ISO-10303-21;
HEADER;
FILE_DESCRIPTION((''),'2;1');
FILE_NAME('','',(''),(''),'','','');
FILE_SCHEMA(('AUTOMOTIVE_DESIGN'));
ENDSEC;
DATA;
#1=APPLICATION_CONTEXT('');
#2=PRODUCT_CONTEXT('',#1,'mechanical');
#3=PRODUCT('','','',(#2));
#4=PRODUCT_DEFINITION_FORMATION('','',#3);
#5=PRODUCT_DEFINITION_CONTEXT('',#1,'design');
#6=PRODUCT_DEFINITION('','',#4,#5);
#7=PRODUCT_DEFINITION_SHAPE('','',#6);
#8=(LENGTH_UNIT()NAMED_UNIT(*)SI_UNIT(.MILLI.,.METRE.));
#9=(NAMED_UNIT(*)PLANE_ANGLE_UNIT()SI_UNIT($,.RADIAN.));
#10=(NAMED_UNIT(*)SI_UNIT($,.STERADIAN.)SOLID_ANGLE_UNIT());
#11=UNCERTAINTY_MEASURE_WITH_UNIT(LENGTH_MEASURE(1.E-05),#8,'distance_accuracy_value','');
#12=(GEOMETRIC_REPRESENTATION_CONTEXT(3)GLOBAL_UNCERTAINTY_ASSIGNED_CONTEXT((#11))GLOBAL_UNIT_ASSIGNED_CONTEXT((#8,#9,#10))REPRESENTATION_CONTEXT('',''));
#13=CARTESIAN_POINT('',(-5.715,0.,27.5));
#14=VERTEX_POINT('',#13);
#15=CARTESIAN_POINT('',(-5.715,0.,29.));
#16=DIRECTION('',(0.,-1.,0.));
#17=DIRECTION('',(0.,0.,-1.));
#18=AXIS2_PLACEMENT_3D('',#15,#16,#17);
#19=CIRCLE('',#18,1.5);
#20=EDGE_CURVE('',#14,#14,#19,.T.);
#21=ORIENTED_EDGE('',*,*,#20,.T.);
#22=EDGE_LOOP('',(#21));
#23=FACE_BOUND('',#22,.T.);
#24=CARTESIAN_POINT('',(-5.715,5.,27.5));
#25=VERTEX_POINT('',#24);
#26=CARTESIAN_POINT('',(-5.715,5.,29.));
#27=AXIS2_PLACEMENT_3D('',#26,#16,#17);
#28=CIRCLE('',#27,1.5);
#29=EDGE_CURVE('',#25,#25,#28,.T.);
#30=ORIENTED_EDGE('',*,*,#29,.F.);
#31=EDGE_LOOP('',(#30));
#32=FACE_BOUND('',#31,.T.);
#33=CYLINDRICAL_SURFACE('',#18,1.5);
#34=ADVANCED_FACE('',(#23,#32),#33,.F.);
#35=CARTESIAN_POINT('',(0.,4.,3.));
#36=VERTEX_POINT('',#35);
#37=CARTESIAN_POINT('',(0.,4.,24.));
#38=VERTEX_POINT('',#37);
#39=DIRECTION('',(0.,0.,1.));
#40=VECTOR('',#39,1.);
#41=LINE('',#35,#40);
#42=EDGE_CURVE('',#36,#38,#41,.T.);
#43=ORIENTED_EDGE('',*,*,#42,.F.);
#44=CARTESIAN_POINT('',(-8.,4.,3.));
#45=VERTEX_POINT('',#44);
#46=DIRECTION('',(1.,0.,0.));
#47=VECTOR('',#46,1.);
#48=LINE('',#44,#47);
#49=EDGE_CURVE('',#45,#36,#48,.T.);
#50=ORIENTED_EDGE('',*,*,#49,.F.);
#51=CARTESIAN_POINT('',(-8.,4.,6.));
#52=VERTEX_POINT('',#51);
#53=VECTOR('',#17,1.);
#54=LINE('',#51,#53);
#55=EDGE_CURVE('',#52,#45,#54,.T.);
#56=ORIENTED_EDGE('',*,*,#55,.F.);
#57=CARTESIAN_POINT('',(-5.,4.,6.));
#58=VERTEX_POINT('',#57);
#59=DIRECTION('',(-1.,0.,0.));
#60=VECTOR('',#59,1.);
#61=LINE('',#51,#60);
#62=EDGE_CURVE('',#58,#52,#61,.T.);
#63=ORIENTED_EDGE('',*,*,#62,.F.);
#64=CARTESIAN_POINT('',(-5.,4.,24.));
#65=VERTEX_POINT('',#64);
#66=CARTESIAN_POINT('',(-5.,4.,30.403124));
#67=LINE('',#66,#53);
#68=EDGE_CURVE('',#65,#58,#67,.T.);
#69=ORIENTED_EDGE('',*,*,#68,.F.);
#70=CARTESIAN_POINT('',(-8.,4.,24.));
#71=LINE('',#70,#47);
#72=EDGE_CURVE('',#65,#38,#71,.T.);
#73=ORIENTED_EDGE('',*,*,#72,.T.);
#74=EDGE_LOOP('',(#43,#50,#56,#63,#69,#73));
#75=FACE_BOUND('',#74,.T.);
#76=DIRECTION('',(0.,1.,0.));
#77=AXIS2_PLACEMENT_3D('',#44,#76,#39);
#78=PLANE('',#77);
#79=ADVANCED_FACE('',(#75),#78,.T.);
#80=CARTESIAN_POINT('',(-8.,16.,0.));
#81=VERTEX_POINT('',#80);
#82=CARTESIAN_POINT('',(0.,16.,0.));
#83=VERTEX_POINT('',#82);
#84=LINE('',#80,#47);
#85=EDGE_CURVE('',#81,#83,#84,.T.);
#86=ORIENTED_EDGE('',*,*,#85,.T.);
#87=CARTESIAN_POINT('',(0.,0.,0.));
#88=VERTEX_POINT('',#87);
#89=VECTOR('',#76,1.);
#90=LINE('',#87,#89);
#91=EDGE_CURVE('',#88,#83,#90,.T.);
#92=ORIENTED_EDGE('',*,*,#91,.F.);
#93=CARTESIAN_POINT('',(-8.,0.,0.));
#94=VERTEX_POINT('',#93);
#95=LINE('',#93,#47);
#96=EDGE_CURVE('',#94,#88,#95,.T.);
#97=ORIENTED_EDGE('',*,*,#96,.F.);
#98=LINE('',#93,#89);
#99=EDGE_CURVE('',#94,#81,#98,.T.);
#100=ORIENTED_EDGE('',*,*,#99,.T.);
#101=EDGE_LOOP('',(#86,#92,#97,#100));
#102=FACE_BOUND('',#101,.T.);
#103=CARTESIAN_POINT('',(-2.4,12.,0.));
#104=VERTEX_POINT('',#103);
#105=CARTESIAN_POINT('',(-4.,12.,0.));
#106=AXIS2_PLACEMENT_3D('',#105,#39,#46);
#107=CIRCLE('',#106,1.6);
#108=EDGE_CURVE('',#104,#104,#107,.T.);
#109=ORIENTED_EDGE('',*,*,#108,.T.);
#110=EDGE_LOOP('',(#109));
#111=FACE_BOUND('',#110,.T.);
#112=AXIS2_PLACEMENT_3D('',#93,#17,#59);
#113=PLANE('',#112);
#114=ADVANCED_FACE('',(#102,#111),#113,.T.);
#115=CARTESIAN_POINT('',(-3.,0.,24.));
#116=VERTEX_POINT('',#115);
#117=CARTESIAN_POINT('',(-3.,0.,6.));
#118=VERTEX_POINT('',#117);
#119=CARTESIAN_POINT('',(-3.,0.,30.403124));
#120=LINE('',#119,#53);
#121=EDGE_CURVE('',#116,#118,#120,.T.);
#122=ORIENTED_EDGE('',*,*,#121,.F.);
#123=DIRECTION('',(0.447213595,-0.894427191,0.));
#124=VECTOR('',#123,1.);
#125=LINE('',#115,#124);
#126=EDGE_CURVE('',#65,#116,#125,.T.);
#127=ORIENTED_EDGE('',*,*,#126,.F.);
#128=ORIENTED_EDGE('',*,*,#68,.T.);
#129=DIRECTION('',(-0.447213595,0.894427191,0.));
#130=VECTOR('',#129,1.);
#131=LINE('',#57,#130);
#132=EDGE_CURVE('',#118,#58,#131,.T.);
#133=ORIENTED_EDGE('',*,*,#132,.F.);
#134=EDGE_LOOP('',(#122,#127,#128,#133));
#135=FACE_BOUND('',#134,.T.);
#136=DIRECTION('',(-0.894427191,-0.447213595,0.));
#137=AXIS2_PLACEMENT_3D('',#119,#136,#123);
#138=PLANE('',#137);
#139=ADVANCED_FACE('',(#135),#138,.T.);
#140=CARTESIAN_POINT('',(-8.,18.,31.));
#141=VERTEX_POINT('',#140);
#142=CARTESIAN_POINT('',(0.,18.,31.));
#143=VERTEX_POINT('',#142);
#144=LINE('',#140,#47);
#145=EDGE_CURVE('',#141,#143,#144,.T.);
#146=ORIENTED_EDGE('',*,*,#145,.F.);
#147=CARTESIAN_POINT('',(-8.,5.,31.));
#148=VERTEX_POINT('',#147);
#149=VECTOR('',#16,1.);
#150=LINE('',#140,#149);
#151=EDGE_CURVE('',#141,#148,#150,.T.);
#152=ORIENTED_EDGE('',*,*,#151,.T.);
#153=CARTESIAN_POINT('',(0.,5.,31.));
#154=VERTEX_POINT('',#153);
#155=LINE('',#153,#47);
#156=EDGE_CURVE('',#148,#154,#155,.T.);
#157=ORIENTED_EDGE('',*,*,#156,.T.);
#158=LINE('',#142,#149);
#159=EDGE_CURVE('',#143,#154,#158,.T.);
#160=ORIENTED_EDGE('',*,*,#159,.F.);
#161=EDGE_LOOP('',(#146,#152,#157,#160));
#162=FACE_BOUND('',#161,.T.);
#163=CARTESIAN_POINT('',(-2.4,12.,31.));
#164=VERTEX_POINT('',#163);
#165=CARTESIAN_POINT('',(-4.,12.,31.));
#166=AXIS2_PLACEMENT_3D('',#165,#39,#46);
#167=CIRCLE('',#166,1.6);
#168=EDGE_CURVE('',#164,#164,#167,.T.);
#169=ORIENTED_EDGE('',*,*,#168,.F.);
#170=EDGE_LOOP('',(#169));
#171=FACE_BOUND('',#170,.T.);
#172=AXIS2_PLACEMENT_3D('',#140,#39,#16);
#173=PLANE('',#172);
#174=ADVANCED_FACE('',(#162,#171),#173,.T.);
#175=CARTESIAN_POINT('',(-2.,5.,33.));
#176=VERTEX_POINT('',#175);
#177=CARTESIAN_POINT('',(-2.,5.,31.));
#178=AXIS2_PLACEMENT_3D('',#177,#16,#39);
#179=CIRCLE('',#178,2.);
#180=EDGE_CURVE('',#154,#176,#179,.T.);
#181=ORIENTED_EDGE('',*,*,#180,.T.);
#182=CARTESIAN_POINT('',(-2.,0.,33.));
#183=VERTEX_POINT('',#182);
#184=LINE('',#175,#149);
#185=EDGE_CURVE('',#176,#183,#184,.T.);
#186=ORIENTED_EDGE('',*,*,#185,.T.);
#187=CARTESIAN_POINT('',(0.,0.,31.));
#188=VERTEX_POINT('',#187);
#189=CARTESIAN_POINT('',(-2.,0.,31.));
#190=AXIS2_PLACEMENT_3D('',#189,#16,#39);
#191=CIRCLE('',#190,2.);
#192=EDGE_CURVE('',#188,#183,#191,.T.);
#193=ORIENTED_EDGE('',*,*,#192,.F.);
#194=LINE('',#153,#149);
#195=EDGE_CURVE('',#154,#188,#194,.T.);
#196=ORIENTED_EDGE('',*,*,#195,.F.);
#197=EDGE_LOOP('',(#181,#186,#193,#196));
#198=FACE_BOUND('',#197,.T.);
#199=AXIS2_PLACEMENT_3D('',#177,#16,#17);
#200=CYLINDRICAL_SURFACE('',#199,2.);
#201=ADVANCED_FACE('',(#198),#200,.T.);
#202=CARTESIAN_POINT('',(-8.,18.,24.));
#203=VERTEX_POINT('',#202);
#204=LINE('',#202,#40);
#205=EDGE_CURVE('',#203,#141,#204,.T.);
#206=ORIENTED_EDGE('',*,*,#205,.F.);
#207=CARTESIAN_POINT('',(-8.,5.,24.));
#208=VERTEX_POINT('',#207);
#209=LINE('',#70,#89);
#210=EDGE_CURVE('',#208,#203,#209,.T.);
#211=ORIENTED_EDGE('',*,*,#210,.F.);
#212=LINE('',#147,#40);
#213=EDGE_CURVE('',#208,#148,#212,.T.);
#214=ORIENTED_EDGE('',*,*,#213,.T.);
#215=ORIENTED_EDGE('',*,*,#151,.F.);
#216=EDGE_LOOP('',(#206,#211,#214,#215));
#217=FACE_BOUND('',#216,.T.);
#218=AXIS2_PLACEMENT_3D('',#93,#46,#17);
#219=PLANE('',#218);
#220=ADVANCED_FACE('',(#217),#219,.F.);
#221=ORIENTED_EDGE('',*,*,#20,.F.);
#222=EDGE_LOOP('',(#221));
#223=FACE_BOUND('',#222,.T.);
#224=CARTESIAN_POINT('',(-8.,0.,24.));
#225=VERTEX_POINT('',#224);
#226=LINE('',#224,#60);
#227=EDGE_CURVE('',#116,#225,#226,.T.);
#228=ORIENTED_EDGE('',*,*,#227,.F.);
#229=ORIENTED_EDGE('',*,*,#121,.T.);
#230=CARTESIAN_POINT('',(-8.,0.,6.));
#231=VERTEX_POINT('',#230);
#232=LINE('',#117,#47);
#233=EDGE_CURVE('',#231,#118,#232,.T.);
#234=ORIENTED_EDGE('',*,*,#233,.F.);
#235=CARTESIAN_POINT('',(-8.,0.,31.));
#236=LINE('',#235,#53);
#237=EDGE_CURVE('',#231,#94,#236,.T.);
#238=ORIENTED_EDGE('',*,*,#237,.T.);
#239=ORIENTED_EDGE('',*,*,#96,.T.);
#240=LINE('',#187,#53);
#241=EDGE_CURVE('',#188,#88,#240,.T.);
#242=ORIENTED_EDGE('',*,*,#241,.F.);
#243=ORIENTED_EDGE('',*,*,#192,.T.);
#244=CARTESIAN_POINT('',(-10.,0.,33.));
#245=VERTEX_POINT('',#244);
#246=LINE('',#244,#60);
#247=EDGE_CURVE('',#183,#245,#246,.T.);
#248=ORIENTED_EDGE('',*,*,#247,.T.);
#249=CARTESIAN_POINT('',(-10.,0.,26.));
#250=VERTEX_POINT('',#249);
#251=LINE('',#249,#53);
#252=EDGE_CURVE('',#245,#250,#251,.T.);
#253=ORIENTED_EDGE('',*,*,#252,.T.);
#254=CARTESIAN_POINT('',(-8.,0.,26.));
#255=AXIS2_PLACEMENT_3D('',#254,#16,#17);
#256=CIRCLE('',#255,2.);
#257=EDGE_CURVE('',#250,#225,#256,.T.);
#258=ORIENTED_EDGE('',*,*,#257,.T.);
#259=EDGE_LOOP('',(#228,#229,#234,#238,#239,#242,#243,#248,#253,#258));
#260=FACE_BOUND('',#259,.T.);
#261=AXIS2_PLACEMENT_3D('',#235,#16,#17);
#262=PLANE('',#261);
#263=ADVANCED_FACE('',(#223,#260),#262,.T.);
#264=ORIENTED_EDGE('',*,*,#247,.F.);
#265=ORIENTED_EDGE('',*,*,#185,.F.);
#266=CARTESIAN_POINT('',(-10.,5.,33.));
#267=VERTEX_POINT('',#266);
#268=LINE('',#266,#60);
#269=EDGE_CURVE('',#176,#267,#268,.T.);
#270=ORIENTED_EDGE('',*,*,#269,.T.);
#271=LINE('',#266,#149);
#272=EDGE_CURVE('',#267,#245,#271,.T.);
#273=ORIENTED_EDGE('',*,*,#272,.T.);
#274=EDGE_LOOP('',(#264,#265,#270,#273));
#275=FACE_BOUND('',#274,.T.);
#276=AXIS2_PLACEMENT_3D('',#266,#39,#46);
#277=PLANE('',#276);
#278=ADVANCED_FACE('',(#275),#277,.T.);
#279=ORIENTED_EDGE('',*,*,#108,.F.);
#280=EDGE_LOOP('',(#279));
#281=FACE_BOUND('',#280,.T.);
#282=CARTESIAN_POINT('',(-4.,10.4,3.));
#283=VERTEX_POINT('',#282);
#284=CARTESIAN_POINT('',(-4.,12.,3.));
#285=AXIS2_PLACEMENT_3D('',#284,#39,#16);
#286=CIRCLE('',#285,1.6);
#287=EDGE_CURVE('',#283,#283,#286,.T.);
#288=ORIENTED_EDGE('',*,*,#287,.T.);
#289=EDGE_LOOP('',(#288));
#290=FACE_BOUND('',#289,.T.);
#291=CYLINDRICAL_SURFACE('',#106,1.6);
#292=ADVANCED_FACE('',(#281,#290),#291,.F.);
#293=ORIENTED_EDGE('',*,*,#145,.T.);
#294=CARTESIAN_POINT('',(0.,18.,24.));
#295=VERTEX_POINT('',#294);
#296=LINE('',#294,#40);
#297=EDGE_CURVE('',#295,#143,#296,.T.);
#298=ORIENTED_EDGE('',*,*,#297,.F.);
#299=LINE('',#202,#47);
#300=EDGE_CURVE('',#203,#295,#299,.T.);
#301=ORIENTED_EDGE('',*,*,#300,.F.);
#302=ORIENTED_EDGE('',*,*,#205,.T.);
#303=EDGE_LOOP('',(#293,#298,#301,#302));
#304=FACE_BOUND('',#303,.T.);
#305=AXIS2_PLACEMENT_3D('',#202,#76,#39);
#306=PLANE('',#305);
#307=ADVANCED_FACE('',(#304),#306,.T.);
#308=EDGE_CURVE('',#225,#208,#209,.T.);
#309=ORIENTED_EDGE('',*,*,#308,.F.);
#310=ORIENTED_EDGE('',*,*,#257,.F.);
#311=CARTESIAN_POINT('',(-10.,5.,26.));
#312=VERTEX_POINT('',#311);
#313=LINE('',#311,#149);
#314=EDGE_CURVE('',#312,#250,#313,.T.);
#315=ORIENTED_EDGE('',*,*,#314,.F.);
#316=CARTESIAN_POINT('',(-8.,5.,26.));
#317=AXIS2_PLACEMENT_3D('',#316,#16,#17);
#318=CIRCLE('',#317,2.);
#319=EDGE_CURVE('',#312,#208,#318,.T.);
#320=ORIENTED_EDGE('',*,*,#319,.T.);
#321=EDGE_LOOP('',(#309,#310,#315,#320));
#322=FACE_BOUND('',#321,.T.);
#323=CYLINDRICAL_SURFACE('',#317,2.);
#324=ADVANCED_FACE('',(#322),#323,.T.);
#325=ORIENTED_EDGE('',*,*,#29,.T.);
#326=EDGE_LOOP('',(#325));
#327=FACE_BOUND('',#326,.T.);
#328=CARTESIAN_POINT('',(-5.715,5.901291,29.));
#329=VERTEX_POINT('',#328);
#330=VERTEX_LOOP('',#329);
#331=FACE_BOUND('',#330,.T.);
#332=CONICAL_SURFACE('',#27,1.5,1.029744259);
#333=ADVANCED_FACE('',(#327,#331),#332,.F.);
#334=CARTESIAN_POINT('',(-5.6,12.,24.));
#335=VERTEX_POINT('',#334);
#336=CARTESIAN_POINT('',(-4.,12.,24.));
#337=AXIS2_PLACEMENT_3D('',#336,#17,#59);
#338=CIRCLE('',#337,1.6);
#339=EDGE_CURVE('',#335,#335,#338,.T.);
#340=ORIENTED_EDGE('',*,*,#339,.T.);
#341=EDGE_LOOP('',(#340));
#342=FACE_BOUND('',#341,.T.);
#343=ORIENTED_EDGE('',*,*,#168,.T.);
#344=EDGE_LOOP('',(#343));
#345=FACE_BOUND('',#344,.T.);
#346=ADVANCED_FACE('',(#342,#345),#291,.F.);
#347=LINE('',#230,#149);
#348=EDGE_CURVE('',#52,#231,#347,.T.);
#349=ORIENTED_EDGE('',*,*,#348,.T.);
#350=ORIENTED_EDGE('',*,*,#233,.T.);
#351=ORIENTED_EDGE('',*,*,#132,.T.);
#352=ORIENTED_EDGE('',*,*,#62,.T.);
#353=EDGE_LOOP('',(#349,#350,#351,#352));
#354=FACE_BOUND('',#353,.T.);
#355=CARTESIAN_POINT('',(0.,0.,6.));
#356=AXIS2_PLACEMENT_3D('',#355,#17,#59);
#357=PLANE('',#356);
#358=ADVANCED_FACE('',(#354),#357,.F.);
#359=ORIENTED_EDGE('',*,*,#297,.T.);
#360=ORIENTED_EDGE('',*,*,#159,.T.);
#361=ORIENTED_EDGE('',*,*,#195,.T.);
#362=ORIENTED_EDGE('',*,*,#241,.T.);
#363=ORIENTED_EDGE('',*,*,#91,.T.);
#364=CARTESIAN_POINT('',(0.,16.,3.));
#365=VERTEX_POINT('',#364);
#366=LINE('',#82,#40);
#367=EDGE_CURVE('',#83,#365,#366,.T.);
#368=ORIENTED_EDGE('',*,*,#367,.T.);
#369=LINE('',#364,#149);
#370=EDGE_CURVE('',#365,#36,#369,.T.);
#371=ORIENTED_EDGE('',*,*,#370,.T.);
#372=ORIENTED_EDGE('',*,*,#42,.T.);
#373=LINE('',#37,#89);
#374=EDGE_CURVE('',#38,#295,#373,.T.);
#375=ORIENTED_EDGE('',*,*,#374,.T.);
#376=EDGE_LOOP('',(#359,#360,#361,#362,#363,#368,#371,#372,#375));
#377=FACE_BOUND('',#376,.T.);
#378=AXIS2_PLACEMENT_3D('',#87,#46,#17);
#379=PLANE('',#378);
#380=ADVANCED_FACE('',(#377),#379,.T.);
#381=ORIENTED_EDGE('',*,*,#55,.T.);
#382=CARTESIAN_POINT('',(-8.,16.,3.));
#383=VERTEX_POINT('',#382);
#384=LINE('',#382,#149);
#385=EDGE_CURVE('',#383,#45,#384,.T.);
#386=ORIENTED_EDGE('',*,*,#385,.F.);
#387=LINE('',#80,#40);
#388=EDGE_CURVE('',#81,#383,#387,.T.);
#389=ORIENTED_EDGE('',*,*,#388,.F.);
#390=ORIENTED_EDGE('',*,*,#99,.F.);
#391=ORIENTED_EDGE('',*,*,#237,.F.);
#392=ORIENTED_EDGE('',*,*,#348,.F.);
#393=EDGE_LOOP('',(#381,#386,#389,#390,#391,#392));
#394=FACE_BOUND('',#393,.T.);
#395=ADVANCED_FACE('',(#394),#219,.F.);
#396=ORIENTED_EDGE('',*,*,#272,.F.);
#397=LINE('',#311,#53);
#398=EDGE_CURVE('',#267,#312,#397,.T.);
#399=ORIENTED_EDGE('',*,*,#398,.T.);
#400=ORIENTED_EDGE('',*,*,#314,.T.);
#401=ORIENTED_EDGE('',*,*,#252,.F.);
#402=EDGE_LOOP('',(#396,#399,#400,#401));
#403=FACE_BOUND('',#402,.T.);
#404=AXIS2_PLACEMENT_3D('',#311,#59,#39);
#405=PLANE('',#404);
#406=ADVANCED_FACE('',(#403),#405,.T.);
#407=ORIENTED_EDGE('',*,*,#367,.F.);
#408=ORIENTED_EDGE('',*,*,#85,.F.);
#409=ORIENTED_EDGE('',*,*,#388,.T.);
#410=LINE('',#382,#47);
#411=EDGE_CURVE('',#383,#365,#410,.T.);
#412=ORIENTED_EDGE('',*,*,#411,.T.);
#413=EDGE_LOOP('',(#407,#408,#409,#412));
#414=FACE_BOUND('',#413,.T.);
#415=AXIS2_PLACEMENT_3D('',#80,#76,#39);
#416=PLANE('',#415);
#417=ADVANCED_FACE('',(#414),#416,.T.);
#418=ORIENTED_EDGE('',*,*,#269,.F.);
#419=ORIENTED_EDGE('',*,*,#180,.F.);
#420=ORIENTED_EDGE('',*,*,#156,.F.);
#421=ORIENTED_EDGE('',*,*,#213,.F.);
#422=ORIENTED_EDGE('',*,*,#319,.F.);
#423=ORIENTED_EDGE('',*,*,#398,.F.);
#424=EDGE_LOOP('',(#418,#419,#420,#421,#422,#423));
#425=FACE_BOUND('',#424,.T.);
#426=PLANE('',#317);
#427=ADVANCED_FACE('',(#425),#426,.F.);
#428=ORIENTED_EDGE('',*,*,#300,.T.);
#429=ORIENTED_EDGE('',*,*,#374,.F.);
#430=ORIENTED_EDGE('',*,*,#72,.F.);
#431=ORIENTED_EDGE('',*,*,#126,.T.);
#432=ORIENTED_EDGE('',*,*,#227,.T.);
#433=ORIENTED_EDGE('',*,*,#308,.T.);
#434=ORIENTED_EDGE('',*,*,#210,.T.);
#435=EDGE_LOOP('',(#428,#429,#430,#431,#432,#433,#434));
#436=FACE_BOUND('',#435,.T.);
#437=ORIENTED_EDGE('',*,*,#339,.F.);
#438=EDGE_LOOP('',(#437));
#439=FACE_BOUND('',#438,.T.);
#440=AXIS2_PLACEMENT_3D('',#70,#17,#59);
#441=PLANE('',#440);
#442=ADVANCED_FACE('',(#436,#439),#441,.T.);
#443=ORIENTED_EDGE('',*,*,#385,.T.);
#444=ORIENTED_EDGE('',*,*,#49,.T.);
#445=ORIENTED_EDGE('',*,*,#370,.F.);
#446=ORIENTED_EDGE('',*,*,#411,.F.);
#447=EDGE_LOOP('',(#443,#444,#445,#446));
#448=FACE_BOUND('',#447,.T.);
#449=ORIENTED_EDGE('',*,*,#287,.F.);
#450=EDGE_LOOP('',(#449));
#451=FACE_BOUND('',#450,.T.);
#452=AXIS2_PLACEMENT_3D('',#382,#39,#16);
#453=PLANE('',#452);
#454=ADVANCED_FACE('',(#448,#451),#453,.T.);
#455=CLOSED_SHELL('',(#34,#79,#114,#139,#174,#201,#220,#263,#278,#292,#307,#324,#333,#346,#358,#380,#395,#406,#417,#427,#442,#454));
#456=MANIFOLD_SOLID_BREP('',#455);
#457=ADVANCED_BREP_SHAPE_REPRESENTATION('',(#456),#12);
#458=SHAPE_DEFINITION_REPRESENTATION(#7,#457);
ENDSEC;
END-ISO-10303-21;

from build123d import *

# Parameters (mm, degrees)
BOSS_EXTRUDE1_DEPTH       = 8
CUT_EXTRUDE2_DEPTH        = 21
BOSS_EXTRUDE2_DEPTH       = 3
BOSS_EXTRUDE5_DEPTH       = 5
SKETCH6_R                 = 1.6
CUT_EXTRUDE3_DEPTH        = 38.215588132
F_3_0MM_DOWEL_HOLE1_D     = 3
F_3_0MM_DOWEL_HOLE1_DEPTH = 5
F_3_0MM_DOWEL_HOLE1_TIP   = 0.901290929


with BuildPart() as part:
    # Sketch1 → Boss-Extrude1 (new body)
    with BuildSketch(Plane(origin=(0, 0, 0), x_dir=(0, 0, -1), z_dir=(1, 0, 0))):
        Polygon((0, 0), (0, 16), (-3, 16), (-3, 4), (-24, 4), (-24, 18), (-31, 18), (-31, 0), align=None)
    extrude(amount=-BOSS_EXTRUDE1_DEPTH)

    # Sketch5 → Cut-Extrude2 (cut)
    with BuildSketch(Plane.XY.offset(3)):
        Polygon((-8, 0), (-3, 0), (-5, 4), (-8, 4), align=None)
    extrude(amount=CUT_EXTRUDE2_DEPTH, mode=Mode.SUBTRACT)

    # Sketch8 → Boss-Extrude2 (add)
    with BuildSketch(Plane.XY.offset(3)):
        Polygon((-8, 4), (-5, 4), (-3, 0), (-8, 0), align=None)
    extrude(amount=BOSS_EXTRUDE2_DEPTH)

    # Sketch11 → Boss-Extrude5 (add)
    with BuildSketch(Plane.XZ):
        with BuildLine():
            Line((-10, 26), (-10, 33))
            Line((-10, 33), (-2, 33))
            ThreePointArc((-2, 33), (-0.585786438, 32.414213562), (0, 31))
            Line((0, 31), (-8, 31))
            Line((-8, 31), (-8, 24))
            ThreePointArc((-8, 24), (-9.414213562, 24.585786438), (-10, 26))
        make_face()
    extrude(amount=-BOSS_EXTRUDE5_DEPTH)

    # Sketch6 → Cut-Extrude3 (cut, through all)
    with BuildSketch(Plane.XY.offset(31)):
        with Locations((-4, 12)):
            Circle(SKETCH6_R)
    extrude(amount=-CUT_EXTRUDE3_DEPTH, mode=Mode.SUBTRACT)

    # Ø3.0mm Dowel Hole1
    with Locations(Plane(origin=(0, 0, 0), x_dir=(-1, 0, 0), z_dir=(0, -1, 0))):
        with Locations((5.715, -29)):
            Hole(F_3_0MM_DOWEL_HOLE1_D / 2, depth=F_3_0MM_DOWEL_HOLE1_DEPTH)
            with Locations((0, 0, -(F_3_0MM_DOWEL_HOLE1_DEPTH + F_3_0MM_DOWEL_HOLE1_TIP / 2))):  # 118° drill point
                Cone(0, F_3_0MM_DOWEL_HOLE1_D / 2, F_3_0MM_DOWEL_HOLE1_TIP, mode=Mode.SUBTRACT)


solid = part.part
